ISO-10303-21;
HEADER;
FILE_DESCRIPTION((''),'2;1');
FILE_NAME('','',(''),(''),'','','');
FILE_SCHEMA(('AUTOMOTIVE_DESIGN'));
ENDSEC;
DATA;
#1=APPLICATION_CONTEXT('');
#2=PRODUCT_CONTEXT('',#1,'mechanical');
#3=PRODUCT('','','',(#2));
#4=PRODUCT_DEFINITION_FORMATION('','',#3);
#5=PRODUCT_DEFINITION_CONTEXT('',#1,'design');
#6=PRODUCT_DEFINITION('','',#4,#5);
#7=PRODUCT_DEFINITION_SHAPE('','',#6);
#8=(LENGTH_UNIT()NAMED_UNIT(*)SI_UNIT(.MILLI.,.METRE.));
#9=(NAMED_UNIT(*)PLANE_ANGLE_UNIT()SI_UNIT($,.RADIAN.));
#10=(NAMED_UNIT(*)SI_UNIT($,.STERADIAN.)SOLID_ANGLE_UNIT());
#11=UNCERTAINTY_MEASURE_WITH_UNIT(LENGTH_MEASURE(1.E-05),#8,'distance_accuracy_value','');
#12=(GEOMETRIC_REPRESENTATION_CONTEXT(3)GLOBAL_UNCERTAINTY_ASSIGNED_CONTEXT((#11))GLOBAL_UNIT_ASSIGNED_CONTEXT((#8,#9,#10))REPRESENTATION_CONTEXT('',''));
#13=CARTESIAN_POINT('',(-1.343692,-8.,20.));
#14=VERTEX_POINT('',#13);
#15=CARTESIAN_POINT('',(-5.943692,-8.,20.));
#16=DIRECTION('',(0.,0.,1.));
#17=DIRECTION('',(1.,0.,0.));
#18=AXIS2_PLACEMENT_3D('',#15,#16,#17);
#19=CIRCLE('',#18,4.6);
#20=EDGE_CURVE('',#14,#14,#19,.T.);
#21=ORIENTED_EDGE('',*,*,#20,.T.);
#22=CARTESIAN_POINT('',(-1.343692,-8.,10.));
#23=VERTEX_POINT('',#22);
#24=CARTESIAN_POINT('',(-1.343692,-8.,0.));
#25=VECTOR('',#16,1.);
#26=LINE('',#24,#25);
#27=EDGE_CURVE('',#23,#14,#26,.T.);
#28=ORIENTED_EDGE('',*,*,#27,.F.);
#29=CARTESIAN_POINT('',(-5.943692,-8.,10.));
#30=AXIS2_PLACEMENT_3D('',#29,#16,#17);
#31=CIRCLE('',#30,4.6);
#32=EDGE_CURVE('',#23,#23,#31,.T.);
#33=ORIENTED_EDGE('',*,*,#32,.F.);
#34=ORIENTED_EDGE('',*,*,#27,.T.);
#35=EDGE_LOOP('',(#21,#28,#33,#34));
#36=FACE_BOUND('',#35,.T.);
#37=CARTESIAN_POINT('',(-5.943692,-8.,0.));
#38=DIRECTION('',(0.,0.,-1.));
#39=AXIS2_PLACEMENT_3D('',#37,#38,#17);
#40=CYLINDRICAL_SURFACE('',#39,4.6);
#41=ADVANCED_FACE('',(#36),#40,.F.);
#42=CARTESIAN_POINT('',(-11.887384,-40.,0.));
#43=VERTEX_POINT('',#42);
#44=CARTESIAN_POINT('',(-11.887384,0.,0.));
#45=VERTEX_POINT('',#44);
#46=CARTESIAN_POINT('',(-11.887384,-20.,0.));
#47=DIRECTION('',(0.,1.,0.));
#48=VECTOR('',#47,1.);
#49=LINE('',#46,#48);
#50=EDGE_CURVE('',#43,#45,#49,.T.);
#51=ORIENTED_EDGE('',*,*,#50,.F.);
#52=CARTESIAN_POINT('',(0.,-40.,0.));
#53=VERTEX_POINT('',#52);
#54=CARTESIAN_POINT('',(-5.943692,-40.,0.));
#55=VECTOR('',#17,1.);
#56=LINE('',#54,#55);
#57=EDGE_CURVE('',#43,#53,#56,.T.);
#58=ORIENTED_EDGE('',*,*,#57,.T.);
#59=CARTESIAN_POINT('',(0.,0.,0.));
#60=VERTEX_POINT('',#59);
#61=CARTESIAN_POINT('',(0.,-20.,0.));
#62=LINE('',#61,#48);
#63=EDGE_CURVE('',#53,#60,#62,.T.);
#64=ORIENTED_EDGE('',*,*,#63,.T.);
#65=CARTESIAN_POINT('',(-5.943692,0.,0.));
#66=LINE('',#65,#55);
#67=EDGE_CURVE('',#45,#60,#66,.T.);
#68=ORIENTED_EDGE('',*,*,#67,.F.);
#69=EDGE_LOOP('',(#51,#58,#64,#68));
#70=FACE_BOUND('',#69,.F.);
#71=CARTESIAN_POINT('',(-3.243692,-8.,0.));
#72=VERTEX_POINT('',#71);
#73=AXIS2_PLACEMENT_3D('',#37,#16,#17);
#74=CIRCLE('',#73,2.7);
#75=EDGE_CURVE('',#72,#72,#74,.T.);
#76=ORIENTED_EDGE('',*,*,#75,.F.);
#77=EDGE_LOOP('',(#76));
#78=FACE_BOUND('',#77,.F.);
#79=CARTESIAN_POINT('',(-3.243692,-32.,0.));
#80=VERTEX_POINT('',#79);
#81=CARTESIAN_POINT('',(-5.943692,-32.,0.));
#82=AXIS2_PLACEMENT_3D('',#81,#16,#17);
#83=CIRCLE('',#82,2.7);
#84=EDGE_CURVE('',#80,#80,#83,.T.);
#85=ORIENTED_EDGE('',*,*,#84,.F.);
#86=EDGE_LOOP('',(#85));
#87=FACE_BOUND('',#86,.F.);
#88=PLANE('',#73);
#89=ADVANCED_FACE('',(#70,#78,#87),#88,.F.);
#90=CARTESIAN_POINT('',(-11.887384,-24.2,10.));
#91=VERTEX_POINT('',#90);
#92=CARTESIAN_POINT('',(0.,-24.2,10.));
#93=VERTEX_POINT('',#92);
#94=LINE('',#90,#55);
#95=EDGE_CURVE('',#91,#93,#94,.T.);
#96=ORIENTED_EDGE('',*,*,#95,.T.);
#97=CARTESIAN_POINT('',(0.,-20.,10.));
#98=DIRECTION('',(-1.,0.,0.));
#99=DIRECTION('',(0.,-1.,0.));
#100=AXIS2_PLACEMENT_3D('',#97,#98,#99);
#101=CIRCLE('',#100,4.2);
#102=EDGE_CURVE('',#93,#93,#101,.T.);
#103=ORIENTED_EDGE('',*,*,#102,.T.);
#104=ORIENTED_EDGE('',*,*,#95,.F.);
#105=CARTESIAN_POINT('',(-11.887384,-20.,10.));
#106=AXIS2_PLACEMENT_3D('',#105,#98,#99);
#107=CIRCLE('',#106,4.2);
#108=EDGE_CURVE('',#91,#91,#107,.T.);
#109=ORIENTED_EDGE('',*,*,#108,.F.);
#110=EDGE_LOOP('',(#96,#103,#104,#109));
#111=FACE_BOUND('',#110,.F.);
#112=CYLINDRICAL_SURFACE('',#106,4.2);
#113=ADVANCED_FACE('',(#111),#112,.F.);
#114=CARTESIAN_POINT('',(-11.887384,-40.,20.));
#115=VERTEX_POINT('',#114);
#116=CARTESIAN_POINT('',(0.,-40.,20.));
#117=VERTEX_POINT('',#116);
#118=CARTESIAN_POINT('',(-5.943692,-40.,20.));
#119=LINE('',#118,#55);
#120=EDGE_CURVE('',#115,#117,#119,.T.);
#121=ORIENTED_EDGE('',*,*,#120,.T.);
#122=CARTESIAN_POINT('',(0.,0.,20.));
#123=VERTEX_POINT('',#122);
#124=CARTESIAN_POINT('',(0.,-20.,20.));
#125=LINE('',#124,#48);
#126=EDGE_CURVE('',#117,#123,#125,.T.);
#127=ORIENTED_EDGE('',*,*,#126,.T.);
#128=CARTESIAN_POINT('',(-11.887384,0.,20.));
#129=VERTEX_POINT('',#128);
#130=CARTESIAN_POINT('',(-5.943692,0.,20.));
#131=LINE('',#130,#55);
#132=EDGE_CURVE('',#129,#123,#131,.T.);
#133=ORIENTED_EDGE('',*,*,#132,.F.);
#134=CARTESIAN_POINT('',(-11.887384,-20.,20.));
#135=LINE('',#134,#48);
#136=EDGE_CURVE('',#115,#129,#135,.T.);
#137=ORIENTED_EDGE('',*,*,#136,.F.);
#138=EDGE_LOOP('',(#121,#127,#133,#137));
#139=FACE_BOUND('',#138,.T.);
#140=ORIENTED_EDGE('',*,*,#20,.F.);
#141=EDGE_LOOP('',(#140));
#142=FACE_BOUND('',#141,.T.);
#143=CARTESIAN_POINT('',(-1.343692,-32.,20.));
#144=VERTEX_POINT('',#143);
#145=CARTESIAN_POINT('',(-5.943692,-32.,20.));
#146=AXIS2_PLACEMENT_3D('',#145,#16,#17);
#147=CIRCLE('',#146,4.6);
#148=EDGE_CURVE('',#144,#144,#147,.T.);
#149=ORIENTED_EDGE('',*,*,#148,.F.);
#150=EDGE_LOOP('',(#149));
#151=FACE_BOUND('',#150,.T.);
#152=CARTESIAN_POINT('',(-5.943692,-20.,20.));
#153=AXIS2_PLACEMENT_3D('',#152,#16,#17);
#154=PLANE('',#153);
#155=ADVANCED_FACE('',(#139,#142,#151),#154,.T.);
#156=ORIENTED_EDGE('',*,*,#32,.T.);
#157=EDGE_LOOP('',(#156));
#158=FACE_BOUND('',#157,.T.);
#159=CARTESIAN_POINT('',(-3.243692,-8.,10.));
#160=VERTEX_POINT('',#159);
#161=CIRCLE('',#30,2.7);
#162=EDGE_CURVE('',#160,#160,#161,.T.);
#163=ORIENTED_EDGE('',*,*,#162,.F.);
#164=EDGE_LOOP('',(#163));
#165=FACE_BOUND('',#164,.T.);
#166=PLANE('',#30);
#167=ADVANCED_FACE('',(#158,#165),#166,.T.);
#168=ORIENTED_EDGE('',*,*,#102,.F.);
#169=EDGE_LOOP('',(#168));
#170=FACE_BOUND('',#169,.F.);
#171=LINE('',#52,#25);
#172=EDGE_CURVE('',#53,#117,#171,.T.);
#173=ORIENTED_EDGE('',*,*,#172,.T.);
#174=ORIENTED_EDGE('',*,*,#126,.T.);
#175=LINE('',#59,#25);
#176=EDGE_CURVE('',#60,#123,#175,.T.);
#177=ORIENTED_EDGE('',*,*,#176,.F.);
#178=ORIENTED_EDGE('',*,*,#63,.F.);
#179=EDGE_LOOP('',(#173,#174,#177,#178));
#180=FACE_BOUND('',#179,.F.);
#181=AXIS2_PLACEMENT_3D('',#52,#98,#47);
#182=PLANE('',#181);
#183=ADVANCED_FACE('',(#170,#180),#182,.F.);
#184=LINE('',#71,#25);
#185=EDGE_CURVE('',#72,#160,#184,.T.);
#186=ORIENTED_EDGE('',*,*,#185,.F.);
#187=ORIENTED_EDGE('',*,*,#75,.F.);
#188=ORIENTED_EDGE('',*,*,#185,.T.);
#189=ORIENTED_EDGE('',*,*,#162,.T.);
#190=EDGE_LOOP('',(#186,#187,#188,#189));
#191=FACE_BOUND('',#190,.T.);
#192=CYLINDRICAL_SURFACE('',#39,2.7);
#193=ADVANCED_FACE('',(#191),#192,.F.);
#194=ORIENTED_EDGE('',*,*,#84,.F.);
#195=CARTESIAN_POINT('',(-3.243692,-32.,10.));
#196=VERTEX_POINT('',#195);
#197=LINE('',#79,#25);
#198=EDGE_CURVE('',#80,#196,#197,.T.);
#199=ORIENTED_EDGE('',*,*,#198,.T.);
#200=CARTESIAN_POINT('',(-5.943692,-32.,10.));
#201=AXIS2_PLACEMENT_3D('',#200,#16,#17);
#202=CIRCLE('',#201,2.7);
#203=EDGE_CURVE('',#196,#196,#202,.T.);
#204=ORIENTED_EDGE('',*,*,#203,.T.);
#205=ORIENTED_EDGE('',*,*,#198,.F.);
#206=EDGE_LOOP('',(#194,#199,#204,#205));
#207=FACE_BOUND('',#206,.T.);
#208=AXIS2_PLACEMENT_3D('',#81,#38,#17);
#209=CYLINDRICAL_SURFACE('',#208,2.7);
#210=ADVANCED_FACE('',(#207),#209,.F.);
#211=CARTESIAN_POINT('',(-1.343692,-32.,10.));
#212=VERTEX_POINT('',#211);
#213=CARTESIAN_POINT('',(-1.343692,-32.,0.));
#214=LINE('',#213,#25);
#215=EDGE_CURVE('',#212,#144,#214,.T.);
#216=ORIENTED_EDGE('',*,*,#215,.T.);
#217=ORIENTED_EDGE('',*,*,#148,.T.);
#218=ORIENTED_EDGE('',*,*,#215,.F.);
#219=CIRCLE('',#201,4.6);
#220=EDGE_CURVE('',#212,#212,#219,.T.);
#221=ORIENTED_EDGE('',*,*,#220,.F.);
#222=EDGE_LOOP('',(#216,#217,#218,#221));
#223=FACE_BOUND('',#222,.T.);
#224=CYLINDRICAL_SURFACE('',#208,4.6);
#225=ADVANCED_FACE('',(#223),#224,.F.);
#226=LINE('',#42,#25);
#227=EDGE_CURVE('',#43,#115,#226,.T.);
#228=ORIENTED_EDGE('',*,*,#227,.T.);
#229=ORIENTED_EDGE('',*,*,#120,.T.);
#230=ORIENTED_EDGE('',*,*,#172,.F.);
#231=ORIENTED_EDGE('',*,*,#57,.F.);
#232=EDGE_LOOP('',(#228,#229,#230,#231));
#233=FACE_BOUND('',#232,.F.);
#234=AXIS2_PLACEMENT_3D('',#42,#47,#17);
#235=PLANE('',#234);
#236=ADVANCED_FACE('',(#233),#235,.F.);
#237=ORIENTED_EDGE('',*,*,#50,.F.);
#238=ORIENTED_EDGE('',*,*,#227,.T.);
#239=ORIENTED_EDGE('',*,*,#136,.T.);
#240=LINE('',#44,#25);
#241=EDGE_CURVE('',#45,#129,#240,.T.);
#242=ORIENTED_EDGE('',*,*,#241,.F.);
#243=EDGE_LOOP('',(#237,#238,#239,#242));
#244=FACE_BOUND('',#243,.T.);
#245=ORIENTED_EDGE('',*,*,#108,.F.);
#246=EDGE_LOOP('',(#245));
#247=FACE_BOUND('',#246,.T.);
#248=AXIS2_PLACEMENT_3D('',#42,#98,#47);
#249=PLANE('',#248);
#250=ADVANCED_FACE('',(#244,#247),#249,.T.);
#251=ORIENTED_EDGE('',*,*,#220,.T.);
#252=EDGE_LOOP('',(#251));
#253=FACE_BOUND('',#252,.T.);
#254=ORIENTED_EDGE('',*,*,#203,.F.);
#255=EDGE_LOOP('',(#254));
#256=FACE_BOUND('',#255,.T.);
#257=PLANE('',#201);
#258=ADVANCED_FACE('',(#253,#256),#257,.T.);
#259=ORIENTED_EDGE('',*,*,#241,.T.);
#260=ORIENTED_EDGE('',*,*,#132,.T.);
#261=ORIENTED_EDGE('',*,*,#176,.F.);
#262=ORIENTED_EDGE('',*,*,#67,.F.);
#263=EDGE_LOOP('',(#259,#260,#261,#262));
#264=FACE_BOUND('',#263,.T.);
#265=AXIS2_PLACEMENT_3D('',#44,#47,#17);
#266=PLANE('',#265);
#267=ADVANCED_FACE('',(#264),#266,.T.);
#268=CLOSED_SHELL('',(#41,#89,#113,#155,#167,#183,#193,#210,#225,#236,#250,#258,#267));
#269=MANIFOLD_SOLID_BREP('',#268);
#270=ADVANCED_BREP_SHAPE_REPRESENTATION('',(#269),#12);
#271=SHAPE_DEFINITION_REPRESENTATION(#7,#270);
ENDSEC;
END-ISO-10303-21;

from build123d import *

# Parameters (mm, degrees)
F0_W     = 11.887384
F0_H     = 40
F0_R     = 4.6
F1_DEPTH = 20
F0_R_2   = 2.7
F2_DEPTH = 10
F3_R     = 4.2
F4_DEPTH = 11.887384


with BuildPart() as f1:
    # F0 (on Top) → F1 (new body)
    with BuildSketch(Plane.XY):
        with Locations((-5.943692, -20)):
            Rectangle(F0_W, F0_H)
        with Locations((-5.943692, -32)):
            Circle(F0_R, mode=Mode.SUBTRACT)
        with Locations((-5.943692, -8)):
            Circle(F0_R, mode=Mode.SUBTRACT)
    extrude(amount=F1_DEPTH)

    # F0 (on Top) → F2 (join)
    with BuildSketch(Plane.XY):
        with Locations((-5.943692, -8)):
            Circle(F0_R)
        with Locations((-5.943692, -8)):
            Circle(F0_R_2, mode=Mode.SUBTRACT)
        with Locations((-5.943692, -32)):
            Circle(F0_R)
        with Locations((-5.943692, -32)):
            Circle(F0_R_2, mode=Mode.SUBTRACT)
    extrude(amount=F2_DEPTH)

    # F3 (on face) → F4 (cut, through all)
    with BuildSketch(Plane(origin=(-11.887384, 0, 0), x_dir=(0, -1, 0), z_dir=(-1, 0, 0))):
        with Locations((20, 10)):
            Circle(F3_R)
    extrude(amount=-F4_DEPTH, mode=Mode.SUBTRACT)


solid = f1.part
